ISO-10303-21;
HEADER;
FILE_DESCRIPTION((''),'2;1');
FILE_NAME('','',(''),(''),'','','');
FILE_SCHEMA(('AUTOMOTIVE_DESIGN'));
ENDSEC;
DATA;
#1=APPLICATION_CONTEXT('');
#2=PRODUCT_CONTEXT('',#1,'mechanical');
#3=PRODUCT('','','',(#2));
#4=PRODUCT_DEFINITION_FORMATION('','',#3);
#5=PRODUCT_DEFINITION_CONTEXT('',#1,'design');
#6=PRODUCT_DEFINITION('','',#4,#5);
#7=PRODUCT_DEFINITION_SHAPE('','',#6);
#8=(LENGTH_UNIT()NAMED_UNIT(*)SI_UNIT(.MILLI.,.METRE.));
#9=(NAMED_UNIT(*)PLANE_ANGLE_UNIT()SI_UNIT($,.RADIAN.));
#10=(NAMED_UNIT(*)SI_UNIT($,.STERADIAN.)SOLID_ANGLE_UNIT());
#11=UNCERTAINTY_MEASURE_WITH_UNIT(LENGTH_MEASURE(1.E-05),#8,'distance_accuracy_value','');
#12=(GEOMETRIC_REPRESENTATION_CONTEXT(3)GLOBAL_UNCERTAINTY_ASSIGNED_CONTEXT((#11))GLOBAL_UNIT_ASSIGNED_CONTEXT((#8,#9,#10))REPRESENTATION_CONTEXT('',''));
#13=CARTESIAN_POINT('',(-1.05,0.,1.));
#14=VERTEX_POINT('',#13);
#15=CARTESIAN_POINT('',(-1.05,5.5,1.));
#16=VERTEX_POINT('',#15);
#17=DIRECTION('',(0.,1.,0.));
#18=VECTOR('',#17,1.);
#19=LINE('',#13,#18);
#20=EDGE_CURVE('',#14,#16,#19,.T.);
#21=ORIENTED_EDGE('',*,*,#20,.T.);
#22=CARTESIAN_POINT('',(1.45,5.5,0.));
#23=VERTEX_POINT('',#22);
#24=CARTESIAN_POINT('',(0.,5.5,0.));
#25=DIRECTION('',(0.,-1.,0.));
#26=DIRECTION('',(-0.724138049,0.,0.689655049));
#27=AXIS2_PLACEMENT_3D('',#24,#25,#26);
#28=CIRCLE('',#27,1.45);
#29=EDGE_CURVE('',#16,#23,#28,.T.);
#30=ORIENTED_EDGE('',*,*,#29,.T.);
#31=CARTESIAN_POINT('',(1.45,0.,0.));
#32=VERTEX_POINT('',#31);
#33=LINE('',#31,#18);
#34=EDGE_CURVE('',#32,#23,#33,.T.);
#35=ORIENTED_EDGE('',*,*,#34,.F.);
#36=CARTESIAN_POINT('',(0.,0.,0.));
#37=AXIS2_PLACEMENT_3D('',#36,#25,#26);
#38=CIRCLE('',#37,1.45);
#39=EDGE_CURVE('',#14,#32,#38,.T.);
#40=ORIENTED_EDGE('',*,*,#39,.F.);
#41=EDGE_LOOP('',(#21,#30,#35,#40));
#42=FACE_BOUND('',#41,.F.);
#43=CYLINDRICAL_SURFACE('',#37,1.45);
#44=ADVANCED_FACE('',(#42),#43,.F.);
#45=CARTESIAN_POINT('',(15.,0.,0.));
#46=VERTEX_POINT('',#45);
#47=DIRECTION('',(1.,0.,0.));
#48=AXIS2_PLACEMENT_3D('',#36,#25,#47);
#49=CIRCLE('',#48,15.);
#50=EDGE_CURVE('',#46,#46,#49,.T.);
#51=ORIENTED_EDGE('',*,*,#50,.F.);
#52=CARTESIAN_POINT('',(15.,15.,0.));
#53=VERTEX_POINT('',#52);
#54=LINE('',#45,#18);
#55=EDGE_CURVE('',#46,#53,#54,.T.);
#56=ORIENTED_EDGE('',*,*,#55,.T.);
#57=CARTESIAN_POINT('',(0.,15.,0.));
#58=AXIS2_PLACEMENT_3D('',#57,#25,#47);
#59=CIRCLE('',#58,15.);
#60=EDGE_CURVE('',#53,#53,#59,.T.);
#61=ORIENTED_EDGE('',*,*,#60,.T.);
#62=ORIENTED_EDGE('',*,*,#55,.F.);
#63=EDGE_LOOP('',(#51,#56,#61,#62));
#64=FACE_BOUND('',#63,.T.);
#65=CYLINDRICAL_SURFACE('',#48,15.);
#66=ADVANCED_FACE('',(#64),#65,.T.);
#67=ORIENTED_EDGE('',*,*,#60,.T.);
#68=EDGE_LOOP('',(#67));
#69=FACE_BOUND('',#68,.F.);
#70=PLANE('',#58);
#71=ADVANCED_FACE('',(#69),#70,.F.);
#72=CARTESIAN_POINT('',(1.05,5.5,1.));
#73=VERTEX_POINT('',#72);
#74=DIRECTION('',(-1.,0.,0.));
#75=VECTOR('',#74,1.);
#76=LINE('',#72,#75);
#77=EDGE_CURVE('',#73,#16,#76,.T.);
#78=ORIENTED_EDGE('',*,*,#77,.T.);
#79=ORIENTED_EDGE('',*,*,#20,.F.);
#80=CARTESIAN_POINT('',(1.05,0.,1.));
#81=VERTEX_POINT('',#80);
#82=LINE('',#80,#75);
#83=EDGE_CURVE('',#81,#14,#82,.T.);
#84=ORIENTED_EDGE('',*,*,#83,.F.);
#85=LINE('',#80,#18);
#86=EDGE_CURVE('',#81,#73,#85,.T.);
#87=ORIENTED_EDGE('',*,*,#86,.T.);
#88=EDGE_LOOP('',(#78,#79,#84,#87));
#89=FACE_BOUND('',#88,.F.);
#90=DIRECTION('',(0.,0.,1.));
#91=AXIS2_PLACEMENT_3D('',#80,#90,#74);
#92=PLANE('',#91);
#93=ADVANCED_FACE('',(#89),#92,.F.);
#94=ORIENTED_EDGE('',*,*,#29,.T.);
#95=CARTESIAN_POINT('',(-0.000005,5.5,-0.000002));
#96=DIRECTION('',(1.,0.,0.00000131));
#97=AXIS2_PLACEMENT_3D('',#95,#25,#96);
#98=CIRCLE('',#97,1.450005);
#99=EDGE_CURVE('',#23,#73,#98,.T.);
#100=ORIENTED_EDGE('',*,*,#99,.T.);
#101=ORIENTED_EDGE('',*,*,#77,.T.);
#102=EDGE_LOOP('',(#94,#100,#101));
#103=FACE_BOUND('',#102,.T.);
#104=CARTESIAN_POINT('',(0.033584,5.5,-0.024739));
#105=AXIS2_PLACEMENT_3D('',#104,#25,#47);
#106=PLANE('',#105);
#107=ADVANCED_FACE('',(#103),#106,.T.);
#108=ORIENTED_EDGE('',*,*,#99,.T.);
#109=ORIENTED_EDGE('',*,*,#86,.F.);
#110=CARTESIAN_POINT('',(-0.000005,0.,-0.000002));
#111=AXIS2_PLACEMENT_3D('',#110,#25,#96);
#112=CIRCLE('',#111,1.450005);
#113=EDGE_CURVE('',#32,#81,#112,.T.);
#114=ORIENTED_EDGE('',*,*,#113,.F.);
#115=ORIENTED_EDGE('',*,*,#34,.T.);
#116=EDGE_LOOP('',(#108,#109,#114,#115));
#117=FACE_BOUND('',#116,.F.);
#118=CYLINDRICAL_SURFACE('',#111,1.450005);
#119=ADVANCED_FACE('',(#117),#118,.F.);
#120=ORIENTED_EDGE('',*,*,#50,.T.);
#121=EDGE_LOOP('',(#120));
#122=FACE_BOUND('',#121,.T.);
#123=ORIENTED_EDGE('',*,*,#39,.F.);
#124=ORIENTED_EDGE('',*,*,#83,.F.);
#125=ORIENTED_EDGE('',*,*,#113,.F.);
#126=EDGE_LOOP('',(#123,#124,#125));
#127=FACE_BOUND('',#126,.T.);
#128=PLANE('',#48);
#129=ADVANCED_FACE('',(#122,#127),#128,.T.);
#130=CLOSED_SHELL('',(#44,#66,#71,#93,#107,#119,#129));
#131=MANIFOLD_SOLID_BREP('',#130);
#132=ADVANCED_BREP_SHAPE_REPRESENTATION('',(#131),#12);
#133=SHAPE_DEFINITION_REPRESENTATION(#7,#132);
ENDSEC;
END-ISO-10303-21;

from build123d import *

# Parameters (mm, degrees)
F0_R     = 15
F1_DEPTH = 15
F3_DEPTH = 5.5


with BuildPart() as f1:
    # F0 (on Front) → F1 (new body)
    with BuildSketch(Plane.XZ):
        Circle(F0_R)
    extrude(amount=-F1_DEPTH)

    # F2 (on face) → F3 (cut)
    with BuildSketch(Plane.XZ):
        with BuildLine():
            ThreePointArc((-1.05, 1), (-0.538516, -1.346291), (1.45, 0))
            ThreePointArc((1.45, 0), (1.346291, 0.538516), (1.05, 1))
            Line((1.05, 1), (-1.05, 1))
        make_face()
    extrude(amount=-F3_DEPTH, mode=Mode.SUBTRACT)


solid = f1.part
